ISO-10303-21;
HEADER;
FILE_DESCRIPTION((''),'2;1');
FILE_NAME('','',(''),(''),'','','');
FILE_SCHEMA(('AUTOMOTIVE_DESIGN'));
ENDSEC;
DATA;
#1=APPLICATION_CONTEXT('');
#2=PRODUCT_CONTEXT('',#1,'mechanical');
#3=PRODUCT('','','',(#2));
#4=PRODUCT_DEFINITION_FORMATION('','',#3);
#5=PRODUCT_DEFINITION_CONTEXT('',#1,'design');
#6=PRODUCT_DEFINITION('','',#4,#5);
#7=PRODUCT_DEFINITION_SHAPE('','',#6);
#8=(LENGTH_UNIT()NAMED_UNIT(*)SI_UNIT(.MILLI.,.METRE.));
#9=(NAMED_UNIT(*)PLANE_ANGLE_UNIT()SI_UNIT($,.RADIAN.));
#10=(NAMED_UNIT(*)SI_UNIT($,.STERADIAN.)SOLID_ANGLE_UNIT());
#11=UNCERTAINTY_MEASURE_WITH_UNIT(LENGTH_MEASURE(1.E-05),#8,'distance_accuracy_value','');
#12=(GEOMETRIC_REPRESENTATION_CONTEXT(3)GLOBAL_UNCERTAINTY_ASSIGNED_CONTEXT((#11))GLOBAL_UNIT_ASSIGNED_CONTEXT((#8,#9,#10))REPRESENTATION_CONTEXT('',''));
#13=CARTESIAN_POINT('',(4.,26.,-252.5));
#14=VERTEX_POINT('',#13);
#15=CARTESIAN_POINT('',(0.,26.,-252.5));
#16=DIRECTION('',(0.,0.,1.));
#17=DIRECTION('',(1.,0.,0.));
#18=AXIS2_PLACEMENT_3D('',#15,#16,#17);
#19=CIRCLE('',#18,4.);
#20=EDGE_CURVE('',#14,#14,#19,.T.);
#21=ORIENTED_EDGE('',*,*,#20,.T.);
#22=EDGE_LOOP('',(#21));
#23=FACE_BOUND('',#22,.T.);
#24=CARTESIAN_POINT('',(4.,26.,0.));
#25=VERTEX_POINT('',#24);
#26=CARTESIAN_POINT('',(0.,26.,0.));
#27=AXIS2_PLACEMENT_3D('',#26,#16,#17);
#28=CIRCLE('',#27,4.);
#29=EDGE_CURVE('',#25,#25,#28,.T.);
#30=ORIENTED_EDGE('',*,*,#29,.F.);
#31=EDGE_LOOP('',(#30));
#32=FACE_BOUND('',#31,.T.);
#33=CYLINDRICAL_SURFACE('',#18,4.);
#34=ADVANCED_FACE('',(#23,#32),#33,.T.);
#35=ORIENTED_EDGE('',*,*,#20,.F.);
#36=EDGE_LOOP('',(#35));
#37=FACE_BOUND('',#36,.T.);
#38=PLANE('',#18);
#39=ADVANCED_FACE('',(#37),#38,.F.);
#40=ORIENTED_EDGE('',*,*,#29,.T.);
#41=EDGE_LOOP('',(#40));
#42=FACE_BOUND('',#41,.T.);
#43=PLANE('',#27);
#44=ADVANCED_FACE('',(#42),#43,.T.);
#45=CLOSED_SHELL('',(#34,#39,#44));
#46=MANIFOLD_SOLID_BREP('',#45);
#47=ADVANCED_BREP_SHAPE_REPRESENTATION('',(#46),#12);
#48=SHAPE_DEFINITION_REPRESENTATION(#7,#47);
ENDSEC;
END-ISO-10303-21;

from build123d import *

# Parameters (mm, degrees)
CROQUIS1_R              = 4
SALIENTE_EXTRUIR1_DEPTH = 252.5


with BuildPart() as part:
    # Croquis1 → Saliente-Extruir1 (new body)
    with BuildSketch(Plane.XY):
        with Locations((0, 26)):
            Circle(CROQUIS1_R)
    extrude(amount=-SALIENTE_EXTRUIR1_DEPTH)


solid = part.part
